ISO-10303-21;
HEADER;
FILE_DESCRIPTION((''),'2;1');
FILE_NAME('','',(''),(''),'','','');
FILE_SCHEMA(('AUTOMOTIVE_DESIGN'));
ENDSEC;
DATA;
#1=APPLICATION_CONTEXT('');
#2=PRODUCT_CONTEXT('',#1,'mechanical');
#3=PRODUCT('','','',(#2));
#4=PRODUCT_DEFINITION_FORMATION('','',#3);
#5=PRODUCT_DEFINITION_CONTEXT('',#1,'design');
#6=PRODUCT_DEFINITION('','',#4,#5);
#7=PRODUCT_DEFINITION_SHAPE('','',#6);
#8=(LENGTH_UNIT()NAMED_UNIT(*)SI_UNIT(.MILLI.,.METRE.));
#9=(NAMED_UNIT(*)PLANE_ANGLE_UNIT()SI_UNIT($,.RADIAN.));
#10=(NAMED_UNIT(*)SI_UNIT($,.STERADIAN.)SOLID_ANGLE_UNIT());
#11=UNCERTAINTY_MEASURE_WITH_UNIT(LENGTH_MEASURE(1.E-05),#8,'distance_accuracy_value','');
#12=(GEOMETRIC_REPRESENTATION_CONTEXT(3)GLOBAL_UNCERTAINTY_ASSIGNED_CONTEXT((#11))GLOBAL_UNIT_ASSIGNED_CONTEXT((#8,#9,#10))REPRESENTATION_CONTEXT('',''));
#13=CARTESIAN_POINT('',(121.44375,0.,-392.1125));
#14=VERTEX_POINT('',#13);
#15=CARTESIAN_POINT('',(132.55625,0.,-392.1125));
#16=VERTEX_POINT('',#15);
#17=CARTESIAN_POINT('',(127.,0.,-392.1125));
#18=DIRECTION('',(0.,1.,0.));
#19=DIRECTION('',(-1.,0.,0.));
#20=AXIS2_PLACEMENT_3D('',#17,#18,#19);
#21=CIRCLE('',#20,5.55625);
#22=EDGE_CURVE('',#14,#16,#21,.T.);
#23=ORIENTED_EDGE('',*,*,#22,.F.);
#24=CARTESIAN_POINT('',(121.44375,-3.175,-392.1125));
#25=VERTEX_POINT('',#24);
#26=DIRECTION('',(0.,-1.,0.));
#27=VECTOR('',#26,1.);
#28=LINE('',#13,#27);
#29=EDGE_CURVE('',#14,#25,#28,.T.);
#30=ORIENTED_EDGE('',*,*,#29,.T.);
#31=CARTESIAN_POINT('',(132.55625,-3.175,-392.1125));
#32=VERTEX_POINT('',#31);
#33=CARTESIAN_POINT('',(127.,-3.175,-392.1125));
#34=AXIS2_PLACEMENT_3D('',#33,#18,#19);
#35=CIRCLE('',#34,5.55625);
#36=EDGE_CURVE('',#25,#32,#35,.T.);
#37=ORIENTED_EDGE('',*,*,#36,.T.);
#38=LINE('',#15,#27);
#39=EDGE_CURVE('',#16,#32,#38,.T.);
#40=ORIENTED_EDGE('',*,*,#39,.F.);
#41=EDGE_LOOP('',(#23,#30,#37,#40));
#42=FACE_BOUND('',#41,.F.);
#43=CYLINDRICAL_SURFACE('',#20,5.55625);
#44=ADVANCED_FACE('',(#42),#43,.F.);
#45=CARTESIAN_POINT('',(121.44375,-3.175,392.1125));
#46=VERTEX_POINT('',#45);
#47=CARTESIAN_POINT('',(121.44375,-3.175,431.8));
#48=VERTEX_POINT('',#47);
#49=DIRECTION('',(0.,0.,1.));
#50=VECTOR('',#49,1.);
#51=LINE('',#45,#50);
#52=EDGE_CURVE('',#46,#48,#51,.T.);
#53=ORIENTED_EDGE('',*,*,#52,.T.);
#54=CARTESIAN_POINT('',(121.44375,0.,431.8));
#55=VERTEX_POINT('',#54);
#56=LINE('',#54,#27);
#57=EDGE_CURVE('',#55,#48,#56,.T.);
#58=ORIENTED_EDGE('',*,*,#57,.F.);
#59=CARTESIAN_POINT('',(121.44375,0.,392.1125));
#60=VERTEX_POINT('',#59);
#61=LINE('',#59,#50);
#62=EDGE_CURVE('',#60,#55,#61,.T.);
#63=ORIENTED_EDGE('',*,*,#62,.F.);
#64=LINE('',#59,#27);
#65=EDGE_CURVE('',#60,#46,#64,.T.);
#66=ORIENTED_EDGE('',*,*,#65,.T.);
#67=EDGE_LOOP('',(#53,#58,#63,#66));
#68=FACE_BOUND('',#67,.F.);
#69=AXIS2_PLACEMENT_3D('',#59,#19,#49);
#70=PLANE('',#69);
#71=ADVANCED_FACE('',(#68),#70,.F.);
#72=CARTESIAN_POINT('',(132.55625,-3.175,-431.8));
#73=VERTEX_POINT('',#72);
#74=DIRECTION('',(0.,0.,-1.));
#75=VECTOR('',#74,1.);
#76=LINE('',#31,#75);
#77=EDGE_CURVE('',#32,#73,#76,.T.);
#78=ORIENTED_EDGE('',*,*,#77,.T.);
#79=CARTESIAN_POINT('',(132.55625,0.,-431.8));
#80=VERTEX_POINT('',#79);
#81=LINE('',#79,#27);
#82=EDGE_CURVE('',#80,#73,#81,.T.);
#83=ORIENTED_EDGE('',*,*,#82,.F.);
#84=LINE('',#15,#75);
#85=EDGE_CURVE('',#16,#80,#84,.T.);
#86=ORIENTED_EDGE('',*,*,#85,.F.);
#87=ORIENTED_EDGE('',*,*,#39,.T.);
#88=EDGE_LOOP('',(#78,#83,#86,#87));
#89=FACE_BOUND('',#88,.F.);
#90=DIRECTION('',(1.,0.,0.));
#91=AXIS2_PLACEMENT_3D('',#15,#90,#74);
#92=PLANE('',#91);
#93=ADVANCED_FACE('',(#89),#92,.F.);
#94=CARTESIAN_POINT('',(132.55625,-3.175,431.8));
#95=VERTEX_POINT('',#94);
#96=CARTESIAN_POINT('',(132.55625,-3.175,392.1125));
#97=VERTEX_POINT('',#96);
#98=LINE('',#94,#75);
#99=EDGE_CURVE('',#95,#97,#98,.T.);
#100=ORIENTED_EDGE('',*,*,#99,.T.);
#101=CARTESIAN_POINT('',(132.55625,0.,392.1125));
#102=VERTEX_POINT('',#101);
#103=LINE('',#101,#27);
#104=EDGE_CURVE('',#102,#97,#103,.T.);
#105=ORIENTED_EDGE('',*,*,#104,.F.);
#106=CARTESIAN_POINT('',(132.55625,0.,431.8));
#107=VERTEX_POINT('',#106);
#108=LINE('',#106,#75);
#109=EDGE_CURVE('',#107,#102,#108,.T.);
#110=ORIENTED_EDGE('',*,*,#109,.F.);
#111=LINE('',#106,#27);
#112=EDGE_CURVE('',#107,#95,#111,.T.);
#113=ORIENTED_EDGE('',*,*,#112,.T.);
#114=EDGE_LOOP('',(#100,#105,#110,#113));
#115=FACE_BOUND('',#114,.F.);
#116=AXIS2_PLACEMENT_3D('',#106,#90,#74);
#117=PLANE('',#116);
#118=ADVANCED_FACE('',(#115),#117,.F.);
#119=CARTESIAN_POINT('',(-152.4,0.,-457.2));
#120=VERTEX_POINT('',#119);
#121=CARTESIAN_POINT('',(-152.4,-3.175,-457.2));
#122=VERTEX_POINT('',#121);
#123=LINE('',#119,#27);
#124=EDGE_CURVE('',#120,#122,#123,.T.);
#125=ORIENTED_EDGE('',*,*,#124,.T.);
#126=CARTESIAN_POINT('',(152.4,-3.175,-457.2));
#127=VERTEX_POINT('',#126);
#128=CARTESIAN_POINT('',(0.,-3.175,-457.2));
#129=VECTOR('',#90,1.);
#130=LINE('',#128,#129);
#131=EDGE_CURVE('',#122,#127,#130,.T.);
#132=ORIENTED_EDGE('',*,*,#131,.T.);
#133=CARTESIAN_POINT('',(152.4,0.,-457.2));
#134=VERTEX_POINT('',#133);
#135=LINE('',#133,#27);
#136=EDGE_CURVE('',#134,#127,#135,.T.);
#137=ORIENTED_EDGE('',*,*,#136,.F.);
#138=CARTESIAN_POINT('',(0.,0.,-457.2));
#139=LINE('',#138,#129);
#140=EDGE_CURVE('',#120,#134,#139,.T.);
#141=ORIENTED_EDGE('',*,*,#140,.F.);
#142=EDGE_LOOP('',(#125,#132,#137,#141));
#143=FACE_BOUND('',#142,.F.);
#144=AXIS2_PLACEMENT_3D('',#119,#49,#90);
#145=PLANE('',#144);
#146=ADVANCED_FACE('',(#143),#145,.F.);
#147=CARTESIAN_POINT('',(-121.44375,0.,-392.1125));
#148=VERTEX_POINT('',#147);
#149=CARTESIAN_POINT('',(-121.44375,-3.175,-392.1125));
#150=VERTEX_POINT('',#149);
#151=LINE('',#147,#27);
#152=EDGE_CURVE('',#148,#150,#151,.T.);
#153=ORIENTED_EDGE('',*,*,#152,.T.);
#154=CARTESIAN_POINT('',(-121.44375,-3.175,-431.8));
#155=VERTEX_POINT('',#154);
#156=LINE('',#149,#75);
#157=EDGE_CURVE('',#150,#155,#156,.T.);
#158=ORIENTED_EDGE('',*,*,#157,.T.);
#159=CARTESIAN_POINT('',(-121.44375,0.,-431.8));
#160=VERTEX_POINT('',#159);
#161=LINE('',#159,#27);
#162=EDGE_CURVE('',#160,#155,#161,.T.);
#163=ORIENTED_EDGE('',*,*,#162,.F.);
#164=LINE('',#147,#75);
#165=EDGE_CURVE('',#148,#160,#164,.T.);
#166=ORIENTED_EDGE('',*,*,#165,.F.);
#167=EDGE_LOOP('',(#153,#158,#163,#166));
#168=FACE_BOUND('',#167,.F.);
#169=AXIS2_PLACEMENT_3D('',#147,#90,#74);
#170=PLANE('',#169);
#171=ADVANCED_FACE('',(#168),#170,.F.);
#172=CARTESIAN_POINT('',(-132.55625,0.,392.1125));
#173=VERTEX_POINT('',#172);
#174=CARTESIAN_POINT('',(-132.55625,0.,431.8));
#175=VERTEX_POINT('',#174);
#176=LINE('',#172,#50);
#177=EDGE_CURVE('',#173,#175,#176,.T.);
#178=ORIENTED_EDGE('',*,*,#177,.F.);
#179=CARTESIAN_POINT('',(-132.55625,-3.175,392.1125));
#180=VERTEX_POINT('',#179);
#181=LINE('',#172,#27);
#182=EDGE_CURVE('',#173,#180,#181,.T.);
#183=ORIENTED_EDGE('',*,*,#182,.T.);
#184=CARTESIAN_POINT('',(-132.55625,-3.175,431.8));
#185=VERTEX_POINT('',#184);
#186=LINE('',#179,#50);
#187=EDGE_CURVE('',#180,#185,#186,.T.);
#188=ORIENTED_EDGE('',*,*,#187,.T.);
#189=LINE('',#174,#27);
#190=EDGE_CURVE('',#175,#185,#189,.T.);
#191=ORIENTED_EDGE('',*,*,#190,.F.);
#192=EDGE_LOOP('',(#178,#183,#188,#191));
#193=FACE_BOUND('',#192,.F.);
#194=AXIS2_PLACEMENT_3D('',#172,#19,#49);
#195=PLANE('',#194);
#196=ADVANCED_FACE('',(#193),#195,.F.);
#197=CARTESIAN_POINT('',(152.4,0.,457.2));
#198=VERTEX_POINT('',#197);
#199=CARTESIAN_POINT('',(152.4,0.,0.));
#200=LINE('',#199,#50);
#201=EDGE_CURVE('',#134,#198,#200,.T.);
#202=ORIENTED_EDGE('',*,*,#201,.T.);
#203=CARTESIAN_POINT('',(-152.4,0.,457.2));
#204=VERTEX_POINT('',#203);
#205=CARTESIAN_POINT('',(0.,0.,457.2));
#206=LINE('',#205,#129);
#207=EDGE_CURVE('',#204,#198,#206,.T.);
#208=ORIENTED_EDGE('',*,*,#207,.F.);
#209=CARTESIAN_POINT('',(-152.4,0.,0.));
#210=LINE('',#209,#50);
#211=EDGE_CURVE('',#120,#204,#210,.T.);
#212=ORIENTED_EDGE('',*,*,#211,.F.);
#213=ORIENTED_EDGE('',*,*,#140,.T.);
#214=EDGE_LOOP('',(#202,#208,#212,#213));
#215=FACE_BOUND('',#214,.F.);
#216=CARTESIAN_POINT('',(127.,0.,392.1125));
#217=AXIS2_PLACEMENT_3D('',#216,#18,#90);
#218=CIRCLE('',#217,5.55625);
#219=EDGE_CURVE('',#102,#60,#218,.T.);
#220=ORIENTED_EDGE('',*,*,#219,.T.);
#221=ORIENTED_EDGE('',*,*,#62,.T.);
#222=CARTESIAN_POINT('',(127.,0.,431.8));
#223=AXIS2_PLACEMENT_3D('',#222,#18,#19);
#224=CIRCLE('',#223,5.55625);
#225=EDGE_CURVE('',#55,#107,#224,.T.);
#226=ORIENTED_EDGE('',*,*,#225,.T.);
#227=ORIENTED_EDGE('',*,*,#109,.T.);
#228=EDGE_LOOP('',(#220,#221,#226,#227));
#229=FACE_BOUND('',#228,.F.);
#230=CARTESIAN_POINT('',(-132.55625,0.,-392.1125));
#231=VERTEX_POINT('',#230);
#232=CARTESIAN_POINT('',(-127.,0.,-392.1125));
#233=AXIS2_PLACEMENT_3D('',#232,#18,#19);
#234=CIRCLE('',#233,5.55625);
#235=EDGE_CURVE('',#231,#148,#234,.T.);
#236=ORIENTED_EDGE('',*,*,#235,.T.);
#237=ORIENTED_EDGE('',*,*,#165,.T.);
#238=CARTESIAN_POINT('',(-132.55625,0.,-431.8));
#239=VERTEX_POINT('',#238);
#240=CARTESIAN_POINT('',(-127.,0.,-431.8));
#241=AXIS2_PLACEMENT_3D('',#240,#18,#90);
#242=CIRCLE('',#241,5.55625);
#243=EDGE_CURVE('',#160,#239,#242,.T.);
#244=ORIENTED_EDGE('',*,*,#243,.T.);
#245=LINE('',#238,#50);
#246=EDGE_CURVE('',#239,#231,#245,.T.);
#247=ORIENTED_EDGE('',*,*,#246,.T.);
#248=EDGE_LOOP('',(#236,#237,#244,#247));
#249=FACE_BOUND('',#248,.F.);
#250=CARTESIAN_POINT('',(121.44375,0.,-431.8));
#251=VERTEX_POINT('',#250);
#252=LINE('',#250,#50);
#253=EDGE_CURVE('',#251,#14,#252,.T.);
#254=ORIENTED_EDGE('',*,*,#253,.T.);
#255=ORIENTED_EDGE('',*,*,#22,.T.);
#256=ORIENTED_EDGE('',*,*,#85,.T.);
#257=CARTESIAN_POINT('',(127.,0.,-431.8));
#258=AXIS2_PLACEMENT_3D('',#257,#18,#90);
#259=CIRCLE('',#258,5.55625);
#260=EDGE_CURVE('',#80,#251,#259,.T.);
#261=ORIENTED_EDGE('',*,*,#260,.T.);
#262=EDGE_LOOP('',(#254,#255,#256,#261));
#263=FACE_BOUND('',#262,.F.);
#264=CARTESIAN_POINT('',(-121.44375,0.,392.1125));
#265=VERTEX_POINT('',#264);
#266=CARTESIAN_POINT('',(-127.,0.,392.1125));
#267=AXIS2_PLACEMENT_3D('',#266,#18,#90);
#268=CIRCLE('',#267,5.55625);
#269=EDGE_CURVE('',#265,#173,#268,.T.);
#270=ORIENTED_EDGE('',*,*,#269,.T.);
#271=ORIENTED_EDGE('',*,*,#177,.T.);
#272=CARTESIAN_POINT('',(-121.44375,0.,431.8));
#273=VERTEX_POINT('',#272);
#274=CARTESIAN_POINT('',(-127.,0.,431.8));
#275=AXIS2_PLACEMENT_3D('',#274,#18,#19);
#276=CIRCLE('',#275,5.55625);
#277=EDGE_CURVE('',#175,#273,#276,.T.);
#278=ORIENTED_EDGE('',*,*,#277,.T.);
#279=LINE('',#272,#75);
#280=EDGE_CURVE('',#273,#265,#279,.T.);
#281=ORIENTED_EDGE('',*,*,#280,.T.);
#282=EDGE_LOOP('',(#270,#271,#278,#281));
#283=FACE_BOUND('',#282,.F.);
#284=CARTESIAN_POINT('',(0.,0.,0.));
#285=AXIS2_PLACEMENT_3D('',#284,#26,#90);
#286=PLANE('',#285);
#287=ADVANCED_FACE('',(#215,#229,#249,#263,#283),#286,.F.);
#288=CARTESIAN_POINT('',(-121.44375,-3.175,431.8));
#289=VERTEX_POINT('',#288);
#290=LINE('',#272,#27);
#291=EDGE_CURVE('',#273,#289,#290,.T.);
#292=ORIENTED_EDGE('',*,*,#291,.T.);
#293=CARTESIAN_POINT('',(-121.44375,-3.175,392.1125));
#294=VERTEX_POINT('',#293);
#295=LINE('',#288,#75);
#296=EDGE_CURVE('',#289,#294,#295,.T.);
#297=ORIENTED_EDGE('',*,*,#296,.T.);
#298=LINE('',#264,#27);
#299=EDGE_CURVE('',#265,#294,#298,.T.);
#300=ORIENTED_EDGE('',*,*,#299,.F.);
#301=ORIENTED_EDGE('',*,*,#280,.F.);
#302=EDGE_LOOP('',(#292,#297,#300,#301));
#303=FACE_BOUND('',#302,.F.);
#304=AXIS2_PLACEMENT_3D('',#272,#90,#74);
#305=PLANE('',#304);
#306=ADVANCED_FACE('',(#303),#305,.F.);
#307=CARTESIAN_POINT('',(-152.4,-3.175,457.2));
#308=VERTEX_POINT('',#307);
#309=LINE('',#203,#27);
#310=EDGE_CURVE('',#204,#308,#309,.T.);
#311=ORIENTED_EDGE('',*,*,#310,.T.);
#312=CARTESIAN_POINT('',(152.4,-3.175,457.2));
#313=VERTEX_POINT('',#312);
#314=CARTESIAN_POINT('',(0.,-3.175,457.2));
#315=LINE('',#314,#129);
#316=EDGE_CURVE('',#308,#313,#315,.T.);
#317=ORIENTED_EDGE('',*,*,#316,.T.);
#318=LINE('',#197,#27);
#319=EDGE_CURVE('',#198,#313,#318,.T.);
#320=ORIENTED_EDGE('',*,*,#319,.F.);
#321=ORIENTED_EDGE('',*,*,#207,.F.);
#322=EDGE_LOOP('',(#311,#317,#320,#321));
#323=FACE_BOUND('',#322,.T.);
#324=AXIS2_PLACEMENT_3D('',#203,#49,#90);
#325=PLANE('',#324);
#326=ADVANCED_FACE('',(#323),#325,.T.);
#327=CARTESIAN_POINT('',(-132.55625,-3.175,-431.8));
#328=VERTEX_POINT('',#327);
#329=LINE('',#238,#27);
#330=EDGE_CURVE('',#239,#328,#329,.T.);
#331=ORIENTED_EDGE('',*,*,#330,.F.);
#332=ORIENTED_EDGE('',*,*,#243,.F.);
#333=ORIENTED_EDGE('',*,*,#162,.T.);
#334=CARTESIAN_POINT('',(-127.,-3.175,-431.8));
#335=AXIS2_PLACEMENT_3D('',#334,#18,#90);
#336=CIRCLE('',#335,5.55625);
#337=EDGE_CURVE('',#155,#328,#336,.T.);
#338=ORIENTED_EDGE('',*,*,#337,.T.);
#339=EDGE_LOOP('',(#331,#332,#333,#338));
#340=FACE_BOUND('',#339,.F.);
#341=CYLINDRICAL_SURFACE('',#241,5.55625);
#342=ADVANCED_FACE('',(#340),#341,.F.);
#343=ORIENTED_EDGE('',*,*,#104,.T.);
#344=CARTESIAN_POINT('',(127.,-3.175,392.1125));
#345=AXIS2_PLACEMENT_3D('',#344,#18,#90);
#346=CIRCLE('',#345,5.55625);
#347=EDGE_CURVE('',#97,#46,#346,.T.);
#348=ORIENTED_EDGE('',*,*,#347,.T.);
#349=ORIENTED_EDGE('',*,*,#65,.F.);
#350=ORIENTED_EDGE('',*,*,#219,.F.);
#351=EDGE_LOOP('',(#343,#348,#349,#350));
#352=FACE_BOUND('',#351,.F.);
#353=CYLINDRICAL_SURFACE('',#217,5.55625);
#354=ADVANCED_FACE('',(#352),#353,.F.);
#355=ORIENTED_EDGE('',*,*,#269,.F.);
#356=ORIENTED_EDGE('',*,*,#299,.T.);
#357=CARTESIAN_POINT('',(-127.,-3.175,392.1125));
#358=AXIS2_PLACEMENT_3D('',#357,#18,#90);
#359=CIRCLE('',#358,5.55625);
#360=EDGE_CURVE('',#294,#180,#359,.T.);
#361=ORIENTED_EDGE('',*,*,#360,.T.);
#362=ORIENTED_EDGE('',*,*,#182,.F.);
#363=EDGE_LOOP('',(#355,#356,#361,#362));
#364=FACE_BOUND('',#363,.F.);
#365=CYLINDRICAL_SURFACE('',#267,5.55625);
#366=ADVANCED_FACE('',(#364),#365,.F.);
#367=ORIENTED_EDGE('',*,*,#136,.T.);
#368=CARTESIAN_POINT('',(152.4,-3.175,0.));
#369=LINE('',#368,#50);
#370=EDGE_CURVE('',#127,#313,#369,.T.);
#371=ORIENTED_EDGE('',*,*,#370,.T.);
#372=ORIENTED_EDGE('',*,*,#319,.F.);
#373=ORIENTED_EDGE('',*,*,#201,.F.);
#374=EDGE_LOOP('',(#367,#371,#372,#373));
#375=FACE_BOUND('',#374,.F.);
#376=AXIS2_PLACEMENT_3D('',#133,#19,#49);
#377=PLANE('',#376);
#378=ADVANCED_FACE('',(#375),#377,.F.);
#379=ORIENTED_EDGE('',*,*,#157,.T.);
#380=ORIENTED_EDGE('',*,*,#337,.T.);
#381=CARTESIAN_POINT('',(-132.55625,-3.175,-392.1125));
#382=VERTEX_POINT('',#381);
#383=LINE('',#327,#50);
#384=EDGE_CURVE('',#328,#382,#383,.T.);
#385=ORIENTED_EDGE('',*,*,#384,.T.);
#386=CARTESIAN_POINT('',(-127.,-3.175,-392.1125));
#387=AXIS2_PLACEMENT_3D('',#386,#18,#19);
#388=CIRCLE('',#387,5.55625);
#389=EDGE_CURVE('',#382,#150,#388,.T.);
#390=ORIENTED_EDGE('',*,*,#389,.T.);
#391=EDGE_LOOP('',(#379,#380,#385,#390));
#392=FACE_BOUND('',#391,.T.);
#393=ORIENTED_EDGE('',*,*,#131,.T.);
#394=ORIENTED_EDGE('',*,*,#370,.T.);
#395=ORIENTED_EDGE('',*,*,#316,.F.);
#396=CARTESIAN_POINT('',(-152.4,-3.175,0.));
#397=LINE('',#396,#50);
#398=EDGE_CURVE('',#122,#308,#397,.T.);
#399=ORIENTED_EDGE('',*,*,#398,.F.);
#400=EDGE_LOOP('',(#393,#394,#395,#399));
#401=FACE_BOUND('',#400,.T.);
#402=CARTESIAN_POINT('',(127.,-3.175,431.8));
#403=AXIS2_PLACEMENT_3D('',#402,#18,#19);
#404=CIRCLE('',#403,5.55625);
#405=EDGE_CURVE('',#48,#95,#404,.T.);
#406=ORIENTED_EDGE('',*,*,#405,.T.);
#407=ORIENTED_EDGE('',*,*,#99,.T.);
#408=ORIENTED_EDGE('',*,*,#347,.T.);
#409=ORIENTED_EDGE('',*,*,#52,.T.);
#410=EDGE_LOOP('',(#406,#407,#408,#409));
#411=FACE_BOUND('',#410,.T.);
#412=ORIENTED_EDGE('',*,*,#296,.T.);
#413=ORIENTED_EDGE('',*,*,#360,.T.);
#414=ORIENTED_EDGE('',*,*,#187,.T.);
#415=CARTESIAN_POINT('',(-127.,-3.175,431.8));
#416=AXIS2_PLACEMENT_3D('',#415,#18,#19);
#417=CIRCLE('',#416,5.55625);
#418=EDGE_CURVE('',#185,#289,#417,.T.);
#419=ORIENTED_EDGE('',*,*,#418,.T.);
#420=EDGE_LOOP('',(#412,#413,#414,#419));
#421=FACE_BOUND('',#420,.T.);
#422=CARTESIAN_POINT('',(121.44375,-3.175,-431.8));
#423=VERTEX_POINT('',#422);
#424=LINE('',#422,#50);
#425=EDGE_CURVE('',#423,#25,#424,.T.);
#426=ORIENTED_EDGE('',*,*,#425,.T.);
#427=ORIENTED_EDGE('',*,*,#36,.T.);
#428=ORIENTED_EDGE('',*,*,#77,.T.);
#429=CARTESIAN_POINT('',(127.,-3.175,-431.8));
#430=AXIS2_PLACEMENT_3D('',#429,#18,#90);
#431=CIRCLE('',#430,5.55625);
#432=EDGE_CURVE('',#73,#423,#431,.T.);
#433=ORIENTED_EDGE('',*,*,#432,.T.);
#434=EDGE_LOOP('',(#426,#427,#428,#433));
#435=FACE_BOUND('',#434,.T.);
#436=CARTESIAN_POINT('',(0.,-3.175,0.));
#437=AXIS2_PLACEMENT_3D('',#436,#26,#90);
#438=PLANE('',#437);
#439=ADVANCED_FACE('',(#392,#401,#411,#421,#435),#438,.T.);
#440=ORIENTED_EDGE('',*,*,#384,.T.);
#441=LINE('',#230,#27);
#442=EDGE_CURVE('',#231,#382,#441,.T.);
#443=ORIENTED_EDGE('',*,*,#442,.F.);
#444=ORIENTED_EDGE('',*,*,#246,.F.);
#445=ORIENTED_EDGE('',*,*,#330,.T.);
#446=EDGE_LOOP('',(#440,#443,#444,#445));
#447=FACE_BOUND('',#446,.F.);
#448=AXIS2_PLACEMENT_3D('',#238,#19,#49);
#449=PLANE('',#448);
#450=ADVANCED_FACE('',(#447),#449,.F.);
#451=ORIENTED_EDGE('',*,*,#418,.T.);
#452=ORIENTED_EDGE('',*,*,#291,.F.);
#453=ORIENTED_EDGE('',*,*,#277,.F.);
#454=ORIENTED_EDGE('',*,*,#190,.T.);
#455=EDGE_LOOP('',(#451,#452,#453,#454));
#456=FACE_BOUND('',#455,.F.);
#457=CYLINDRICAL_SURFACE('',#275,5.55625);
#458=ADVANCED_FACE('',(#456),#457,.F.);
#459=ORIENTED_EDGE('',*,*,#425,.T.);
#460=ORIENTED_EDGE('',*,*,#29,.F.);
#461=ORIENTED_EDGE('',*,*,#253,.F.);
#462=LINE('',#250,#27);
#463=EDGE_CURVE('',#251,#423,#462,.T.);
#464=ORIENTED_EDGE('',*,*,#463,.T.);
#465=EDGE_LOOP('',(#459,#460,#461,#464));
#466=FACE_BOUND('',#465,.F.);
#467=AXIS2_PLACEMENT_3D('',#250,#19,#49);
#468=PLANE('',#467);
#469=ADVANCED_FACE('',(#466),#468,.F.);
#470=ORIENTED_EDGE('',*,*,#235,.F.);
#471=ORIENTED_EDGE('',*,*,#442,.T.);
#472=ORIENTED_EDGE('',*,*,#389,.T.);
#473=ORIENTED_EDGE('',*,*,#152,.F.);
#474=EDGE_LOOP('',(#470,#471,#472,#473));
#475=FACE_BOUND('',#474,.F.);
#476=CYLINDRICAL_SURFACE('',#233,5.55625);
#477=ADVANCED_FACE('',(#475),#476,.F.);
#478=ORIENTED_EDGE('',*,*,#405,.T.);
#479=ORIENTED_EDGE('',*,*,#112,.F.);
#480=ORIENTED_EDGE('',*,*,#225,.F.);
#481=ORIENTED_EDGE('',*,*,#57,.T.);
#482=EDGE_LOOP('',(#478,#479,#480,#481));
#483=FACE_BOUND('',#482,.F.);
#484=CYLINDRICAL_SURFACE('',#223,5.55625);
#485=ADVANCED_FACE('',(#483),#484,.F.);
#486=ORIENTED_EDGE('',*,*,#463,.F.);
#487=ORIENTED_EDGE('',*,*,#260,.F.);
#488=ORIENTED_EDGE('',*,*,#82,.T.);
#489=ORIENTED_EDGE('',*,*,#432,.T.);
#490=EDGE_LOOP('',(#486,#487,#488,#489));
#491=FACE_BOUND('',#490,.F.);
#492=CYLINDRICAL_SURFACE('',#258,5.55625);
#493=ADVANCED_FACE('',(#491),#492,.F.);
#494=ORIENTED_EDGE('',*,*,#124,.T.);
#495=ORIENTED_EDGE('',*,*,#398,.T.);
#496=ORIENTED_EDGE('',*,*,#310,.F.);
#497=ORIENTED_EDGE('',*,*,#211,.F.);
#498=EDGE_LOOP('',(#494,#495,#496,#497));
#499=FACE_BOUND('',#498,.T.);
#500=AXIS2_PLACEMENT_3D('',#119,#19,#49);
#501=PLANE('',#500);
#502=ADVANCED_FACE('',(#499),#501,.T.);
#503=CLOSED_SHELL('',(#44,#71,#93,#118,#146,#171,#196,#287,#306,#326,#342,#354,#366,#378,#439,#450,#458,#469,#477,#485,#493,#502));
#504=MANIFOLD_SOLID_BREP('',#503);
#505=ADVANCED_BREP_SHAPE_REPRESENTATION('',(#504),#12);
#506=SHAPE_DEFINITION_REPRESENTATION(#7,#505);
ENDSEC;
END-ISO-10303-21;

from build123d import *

# Parameters (mm, degrees)
F0_W     = 304.8
F0_H     = 914.4
F1_DEPTH = 3.175


with BuildPart() as f1:
    # F0 (on Front) → F1 (new body)
    with BuildSketch(Plane.XZ):
        Rectangle(F0_W, F0_H)
        with BuildLine():
            ThreePointArc((-121.44375, -431.8), (-127, -437.35625), (-132.55625, -431.8))
            Line((-132.55625, -431.8), (-132.55625, -392.1125))
            ThreePointArc((-132.55625, -392.1125), (-127, -386.55625), (-121.44375, -392.1125))
            Line((-121.44375, -392.1125), (-121.44375, -431.8))
        make_face(mode=Mode.SUBTRACT)
        with BuildLine():
            ThreePointArc((132.55625, -431.8), (127, -437.35625), (121.44375, -431.8))
            Line((121.44375, -431.8), (121.44375, -392.1125))
            ThreePointArc((121.44375, -392.1125), (127, -386.55625), (132.55625, -392.1125))
            Line((132.55625, -392.1125), (132.55625, -431.8))
        make_face(mode=Mode.SUBTRACT)
        with BuildLine():
            ThreePointArc((-132.55625, 431.8), (-127, 437.35625), (-121.44375, 431.8))
            Line((-121.44375, 431.8), (-121.44375, 392.1125))
            ThreePointArc((-121.44375, 392.1125), (-127, 386.55625), (-132.55625, 392.1125))
            Line((-132.55625, 392.1125), (-132.55625, 431.8))
        make_face(mode=Mode.SUBTRACT)
        with BuildLine():
            ThreePointArc((121.44375, 431.8), (127, 437.35625), (132.55625, 431.8))
            Line((132.55625, 431.8), (132.55625, 392.1125))
            ThreePointArc((132.55625, 392.1125), (127, 386.55625), (121.44375, 392.1125))
            Line((121.44375, 392.1125), (121.44375, 431.8))
        make_face(mode=Mode.SUBTRACT)
    extrude(amount=F1_DEPTH)


solid = f1.part
